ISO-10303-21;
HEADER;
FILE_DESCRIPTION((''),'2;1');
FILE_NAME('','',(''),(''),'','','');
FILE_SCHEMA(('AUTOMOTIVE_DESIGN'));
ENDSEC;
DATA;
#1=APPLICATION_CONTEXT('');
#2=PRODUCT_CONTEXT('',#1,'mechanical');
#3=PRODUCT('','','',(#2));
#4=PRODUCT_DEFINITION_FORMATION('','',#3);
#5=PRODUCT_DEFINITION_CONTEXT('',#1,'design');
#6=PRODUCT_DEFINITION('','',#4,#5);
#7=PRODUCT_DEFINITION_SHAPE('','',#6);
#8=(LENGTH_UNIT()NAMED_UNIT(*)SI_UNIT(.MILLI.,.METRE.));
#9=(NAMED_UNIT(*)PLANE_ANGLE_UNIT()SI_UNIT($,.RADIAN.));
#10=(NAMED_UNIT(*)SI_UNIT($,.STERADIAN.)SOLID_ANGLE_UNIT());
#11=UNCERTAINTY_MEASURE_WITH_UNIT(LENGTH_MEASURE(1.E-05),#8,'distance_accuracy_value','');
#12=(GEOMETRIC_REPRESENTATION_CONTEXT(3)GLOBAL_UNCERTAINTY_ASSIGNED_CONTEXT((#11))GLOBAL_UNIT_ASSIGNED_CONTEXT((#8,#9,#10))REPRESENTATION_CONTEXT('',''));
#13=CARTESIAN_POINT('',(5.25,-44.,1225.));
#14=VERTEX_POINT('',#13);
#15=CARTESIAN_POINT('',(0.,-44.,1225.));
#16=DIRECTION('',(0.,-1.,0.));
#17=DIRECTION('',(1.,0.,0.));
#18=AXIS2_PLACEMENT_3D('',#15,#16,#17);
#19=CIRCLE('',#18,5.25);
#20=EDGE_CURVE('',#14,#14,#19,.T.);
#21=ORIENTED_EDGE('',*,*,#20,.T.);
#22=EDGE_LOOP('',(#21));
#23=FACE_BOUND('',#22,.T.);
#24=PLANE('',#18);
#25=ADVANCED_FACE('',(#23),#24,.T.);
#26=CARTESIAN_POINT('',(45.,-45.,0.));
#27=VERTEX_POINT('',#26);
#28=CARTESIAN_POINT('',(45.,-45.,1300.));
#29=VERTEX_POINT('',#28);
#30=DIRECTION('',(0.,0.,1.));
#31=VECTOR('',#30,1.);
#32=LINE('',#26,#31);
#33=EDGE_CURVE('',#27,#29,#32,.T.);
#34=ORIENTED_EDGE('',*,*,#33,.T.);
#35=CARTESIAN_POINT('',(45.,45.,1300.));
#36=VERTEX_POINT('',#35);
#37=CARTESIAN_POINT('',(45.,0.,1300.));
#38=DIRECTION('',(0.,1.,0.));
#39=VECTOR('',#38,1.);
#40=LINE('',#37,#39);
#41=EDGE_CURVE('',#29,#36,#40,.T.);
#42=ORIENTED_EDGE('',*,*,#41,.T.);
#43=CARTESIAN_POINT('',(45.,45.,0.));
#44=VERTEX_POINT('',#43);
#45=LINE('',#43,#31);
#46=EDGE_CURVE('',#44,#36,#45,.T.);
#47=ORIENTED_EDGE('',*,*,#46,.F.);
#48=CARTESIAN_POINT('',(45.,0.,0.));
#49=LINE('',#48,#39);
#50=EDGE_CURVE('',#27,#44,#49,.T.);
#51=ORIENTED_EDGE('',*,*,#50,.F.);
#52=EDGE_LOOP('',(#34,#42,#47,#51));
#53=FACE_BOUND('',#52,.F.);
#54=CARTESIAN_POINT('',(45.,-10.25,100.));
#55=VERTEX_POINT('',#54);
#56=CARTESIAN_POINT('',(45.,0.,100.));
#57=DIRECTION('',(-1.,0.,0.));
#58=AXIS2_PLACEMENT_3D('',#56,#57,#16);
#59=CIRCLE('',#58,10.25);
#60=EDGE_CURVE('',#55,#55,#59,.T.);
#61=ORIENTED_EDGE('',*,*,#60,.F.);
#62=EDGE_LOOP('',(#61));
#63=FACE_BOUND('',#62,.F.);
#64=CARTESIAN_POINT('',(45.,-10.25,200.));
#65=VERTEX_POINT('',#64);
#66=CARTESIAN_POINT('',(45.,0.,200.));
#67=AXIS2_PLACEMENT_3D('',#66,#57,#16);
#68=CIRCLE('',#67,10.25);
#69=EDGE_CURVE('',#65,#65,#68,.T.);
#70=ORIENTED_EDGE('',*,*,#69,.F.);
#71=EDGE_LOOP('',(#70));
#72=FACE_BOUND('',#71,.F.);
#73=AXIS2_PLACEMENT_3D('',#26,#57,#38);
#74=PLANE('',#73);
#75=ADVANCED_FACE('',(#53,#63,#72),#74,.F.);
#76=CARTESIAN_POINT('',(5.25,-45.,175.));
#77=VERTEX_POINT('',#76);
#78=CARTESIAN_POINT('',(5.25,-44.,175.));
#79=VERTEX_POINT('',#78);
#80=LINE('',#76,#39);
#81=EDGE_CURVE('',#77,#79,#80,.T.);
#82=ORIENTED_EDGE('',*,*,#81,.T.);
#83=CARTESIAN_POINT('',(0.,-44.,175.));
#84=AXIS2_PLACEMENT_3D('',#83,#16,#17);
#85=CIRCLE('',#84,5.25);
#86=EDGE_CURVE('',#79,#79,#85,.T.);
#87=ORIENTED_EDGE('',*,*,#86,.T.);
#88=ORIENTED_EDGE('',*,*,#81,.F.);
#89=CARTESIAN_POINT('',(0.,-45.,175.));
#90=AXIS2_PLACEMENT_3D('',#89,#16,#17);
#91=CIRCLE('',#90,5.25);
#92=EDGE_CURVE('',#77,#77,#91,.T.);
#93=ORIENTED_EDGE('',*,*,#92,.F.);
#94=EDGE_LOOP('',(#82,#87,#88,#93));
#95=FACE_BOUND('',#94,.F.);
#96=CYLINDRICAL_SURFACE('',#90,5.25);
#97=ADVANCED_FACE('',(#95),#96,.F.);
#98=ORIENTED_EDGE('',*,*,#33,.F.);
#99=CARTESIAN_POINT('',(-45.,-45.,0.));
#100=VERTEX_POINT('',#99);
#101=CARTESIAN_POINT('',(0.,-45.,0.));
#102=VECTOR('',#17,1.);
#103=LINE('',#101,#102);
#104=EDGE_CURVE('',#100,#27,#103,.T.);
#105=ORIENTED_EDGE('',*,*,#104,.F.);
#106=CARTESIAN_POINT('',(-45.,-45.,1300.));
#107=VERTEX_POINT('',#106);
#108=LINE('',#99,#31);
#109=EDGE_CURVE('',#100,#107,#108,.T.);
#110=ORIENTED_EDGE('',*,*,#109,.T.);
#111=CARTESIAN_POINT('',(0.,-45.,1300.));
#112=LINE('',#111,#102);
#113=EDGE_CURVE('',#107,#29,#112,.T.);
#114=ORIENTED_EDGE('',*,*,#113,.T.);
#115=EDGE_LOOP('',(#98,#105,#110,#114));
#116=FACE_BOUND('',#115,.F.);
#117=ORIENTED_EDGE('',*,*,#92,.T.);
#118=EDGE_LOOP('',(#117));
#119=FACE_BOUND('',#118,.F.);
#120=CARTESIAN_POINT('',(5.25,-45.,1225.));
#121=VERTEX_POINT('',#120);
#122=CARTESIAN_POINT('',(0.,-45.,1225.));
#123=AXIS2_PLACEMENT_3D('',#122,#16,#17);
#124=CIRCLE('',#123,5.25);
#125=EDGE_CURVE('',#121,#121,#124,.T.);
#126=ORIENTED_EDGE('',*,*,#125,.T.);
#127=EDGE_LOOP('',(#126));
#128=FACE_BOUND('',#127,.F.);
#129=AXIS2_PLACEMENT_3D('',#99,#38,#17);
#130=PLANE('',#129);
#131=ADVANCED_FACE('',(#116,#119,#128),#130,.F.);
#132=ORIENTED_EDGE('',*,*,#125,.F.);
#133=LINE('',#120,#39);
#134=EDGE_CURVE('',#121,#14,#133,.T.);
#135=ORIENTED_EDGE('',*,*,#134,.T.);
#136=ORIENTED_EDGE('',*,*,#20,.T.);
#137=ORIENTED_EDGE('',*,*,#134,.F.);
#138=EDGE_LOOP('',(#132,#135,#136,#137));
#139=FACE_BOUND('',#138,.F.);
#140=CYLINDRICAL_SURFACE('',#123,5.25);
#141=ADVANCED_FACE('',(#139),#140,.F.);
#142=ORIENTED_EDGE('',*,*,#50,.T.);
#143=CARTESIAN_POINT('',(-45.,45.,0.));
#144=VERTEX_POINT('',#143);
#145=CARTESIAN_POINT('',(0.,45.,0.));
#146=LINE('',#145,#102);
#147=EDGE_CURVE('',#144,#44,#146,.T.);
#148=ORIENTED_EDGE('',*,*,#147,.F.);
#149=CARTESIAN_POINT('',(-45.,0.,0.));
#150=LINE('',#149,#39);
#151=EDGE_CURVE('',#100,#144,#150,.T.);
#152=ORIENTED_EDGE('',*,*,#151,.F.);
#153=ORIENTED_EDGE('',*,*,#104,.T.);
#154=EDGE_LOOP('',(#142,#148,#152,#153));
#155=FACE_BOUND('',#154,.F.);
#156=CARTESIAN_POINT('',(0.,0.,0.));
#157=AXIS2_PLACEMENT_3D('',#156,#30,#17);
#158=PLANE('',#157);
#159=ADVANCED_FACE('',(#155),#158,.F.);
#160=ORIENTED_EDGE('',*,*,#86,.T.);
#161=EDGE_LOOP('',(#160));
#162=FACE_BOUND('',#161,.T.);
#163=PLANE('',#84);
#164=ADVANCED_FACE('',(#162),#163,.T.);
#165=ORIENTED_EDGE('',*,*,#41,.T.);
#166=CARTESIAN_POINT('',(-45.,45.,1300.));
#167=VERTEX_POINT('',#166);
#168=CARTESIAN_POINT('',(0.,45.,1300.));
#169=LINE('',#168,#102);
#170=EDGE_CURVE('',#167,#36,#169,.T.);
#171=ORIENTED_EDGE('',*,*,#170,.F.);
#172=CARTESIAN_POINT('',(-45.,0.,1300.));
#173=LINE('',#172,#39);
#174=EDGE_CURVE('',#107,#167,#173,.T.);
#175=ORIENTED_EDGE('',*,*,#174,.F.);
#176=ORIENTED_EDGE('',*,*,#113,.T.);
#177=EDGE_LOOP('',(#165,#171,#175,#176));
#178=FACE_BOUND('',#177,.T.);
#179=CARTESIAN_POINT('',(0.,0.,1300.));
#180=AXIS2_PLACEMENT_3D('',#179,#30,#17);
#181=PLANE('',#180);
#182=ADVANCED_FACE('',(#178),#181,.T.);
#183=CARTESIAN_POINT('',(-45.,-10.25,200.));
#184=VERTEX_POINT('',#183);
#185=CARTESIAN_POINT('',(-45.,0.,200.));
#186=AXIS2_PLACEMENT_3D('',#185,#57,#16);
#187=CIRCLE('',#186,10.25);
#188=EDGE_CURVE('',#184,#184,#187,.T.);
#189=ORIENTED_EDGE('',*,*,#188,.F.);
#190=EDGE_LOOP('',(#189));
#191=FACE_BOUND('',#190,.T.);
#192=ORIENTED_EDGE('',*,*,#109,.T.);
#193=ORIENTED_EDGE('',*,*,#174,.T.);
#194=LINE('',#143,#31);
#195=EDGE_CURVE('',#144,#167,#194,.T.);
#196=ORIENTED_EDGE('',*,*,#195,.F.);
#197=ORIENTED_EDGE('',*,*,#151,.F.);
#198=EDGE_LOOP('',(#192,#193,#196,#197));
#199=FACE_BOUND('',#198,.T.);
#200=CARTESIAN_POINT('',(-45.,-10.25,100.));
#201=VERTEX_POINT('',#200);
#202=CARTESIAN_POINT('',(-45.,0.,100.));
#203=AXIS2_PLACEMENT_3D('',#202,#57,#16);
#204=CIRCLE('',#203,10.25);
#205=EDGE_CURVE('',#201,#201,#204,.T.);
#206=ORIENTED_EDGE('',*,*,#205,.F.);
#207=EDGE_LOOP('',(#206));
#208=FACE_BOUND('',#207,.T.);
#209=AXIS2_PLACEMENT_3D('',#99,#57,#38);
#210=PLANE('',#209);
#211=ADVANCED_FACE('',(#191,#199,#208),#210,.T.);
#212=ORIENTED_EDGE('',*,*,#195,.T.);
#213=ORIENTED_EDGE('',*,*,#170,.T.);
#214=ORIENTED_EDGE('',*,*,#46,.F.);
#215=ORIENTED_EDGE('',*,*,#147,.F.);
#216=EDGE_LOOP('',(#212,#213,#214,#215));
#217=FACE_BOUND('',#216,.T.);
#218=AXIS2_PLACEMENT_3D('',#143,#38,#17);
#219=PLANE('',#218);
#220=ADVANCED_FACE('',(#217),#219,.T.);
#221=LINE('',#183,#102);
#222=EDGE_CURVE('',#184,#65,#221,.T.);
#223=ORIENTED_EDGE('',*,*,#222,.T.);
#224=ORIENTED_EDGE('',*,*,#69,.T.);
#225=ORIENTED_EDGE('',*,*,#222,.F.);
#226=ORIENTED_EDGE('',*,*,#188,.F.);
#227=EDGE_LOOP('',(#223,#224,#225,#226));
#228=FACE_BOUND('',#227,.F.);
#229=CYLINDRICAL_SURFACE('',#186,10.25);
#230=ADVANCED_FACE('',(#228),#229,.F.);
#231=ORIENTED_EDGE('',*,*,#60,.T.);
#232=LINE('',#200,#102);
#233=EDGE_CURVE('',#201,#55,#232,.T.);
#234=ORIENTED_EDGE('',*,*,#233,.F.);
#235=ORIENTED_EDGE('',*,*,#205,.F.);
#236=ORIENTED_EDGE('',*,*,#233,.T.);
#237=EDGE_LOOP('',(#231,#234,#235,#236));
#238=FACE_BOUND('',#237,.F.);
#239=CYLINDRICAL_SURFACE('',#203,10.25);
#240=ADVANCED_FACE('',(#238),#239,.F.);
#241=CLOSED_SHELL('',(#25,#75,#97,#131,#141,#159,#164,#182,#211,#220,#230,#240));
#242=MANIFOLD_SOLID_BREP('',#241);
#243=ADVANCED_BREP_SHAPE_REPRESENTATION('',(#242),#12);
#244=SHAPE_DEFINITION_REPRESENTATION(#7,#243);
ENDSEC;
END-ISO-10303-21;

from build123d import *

# Parameters (mm, degrees)
F0_W     = 90
F0_H     = 90
F1_DEPTH = 1300
F2_R     = 5.25
F3_DEPTH = 1
F4_R     = 10.25
F5_DEPTH = 90.001


with BuildPart() as f1:
    # F0 (on Top) → F1 (new body)
    with BuildSketch(Plane.XY):
        Rectangle(F0_W, F0_H)
    extrude(amount=F1_DEPTH)

    # F2 (on face) → F3 (cut)
    with BuildSketch(Plane.XZ.offset(45)):
        with Locations((0, 1225)):
            Circle(F2_R)
        with Locations((0, 175)):
            Circle(F2_R)
    extrude(amount=-F3_DEPTH, mode=Mode.SUBTRACT)

    # F4 (on face) → F5 (cut, through all)
    with BuildSketch(Plane(origin=(-45, 0, 0), x_dir=(0, -1, 0), z_dir=(-1, 0, 0))):
        with Locations((0, 100)):
            Circle(F4_R)
        with Locations((0, 200)):
            Circle(F4_R)
    extrude(amount=-F5_DEPTH, mode=Mode.SUBTRACT)


solid = f1.part
